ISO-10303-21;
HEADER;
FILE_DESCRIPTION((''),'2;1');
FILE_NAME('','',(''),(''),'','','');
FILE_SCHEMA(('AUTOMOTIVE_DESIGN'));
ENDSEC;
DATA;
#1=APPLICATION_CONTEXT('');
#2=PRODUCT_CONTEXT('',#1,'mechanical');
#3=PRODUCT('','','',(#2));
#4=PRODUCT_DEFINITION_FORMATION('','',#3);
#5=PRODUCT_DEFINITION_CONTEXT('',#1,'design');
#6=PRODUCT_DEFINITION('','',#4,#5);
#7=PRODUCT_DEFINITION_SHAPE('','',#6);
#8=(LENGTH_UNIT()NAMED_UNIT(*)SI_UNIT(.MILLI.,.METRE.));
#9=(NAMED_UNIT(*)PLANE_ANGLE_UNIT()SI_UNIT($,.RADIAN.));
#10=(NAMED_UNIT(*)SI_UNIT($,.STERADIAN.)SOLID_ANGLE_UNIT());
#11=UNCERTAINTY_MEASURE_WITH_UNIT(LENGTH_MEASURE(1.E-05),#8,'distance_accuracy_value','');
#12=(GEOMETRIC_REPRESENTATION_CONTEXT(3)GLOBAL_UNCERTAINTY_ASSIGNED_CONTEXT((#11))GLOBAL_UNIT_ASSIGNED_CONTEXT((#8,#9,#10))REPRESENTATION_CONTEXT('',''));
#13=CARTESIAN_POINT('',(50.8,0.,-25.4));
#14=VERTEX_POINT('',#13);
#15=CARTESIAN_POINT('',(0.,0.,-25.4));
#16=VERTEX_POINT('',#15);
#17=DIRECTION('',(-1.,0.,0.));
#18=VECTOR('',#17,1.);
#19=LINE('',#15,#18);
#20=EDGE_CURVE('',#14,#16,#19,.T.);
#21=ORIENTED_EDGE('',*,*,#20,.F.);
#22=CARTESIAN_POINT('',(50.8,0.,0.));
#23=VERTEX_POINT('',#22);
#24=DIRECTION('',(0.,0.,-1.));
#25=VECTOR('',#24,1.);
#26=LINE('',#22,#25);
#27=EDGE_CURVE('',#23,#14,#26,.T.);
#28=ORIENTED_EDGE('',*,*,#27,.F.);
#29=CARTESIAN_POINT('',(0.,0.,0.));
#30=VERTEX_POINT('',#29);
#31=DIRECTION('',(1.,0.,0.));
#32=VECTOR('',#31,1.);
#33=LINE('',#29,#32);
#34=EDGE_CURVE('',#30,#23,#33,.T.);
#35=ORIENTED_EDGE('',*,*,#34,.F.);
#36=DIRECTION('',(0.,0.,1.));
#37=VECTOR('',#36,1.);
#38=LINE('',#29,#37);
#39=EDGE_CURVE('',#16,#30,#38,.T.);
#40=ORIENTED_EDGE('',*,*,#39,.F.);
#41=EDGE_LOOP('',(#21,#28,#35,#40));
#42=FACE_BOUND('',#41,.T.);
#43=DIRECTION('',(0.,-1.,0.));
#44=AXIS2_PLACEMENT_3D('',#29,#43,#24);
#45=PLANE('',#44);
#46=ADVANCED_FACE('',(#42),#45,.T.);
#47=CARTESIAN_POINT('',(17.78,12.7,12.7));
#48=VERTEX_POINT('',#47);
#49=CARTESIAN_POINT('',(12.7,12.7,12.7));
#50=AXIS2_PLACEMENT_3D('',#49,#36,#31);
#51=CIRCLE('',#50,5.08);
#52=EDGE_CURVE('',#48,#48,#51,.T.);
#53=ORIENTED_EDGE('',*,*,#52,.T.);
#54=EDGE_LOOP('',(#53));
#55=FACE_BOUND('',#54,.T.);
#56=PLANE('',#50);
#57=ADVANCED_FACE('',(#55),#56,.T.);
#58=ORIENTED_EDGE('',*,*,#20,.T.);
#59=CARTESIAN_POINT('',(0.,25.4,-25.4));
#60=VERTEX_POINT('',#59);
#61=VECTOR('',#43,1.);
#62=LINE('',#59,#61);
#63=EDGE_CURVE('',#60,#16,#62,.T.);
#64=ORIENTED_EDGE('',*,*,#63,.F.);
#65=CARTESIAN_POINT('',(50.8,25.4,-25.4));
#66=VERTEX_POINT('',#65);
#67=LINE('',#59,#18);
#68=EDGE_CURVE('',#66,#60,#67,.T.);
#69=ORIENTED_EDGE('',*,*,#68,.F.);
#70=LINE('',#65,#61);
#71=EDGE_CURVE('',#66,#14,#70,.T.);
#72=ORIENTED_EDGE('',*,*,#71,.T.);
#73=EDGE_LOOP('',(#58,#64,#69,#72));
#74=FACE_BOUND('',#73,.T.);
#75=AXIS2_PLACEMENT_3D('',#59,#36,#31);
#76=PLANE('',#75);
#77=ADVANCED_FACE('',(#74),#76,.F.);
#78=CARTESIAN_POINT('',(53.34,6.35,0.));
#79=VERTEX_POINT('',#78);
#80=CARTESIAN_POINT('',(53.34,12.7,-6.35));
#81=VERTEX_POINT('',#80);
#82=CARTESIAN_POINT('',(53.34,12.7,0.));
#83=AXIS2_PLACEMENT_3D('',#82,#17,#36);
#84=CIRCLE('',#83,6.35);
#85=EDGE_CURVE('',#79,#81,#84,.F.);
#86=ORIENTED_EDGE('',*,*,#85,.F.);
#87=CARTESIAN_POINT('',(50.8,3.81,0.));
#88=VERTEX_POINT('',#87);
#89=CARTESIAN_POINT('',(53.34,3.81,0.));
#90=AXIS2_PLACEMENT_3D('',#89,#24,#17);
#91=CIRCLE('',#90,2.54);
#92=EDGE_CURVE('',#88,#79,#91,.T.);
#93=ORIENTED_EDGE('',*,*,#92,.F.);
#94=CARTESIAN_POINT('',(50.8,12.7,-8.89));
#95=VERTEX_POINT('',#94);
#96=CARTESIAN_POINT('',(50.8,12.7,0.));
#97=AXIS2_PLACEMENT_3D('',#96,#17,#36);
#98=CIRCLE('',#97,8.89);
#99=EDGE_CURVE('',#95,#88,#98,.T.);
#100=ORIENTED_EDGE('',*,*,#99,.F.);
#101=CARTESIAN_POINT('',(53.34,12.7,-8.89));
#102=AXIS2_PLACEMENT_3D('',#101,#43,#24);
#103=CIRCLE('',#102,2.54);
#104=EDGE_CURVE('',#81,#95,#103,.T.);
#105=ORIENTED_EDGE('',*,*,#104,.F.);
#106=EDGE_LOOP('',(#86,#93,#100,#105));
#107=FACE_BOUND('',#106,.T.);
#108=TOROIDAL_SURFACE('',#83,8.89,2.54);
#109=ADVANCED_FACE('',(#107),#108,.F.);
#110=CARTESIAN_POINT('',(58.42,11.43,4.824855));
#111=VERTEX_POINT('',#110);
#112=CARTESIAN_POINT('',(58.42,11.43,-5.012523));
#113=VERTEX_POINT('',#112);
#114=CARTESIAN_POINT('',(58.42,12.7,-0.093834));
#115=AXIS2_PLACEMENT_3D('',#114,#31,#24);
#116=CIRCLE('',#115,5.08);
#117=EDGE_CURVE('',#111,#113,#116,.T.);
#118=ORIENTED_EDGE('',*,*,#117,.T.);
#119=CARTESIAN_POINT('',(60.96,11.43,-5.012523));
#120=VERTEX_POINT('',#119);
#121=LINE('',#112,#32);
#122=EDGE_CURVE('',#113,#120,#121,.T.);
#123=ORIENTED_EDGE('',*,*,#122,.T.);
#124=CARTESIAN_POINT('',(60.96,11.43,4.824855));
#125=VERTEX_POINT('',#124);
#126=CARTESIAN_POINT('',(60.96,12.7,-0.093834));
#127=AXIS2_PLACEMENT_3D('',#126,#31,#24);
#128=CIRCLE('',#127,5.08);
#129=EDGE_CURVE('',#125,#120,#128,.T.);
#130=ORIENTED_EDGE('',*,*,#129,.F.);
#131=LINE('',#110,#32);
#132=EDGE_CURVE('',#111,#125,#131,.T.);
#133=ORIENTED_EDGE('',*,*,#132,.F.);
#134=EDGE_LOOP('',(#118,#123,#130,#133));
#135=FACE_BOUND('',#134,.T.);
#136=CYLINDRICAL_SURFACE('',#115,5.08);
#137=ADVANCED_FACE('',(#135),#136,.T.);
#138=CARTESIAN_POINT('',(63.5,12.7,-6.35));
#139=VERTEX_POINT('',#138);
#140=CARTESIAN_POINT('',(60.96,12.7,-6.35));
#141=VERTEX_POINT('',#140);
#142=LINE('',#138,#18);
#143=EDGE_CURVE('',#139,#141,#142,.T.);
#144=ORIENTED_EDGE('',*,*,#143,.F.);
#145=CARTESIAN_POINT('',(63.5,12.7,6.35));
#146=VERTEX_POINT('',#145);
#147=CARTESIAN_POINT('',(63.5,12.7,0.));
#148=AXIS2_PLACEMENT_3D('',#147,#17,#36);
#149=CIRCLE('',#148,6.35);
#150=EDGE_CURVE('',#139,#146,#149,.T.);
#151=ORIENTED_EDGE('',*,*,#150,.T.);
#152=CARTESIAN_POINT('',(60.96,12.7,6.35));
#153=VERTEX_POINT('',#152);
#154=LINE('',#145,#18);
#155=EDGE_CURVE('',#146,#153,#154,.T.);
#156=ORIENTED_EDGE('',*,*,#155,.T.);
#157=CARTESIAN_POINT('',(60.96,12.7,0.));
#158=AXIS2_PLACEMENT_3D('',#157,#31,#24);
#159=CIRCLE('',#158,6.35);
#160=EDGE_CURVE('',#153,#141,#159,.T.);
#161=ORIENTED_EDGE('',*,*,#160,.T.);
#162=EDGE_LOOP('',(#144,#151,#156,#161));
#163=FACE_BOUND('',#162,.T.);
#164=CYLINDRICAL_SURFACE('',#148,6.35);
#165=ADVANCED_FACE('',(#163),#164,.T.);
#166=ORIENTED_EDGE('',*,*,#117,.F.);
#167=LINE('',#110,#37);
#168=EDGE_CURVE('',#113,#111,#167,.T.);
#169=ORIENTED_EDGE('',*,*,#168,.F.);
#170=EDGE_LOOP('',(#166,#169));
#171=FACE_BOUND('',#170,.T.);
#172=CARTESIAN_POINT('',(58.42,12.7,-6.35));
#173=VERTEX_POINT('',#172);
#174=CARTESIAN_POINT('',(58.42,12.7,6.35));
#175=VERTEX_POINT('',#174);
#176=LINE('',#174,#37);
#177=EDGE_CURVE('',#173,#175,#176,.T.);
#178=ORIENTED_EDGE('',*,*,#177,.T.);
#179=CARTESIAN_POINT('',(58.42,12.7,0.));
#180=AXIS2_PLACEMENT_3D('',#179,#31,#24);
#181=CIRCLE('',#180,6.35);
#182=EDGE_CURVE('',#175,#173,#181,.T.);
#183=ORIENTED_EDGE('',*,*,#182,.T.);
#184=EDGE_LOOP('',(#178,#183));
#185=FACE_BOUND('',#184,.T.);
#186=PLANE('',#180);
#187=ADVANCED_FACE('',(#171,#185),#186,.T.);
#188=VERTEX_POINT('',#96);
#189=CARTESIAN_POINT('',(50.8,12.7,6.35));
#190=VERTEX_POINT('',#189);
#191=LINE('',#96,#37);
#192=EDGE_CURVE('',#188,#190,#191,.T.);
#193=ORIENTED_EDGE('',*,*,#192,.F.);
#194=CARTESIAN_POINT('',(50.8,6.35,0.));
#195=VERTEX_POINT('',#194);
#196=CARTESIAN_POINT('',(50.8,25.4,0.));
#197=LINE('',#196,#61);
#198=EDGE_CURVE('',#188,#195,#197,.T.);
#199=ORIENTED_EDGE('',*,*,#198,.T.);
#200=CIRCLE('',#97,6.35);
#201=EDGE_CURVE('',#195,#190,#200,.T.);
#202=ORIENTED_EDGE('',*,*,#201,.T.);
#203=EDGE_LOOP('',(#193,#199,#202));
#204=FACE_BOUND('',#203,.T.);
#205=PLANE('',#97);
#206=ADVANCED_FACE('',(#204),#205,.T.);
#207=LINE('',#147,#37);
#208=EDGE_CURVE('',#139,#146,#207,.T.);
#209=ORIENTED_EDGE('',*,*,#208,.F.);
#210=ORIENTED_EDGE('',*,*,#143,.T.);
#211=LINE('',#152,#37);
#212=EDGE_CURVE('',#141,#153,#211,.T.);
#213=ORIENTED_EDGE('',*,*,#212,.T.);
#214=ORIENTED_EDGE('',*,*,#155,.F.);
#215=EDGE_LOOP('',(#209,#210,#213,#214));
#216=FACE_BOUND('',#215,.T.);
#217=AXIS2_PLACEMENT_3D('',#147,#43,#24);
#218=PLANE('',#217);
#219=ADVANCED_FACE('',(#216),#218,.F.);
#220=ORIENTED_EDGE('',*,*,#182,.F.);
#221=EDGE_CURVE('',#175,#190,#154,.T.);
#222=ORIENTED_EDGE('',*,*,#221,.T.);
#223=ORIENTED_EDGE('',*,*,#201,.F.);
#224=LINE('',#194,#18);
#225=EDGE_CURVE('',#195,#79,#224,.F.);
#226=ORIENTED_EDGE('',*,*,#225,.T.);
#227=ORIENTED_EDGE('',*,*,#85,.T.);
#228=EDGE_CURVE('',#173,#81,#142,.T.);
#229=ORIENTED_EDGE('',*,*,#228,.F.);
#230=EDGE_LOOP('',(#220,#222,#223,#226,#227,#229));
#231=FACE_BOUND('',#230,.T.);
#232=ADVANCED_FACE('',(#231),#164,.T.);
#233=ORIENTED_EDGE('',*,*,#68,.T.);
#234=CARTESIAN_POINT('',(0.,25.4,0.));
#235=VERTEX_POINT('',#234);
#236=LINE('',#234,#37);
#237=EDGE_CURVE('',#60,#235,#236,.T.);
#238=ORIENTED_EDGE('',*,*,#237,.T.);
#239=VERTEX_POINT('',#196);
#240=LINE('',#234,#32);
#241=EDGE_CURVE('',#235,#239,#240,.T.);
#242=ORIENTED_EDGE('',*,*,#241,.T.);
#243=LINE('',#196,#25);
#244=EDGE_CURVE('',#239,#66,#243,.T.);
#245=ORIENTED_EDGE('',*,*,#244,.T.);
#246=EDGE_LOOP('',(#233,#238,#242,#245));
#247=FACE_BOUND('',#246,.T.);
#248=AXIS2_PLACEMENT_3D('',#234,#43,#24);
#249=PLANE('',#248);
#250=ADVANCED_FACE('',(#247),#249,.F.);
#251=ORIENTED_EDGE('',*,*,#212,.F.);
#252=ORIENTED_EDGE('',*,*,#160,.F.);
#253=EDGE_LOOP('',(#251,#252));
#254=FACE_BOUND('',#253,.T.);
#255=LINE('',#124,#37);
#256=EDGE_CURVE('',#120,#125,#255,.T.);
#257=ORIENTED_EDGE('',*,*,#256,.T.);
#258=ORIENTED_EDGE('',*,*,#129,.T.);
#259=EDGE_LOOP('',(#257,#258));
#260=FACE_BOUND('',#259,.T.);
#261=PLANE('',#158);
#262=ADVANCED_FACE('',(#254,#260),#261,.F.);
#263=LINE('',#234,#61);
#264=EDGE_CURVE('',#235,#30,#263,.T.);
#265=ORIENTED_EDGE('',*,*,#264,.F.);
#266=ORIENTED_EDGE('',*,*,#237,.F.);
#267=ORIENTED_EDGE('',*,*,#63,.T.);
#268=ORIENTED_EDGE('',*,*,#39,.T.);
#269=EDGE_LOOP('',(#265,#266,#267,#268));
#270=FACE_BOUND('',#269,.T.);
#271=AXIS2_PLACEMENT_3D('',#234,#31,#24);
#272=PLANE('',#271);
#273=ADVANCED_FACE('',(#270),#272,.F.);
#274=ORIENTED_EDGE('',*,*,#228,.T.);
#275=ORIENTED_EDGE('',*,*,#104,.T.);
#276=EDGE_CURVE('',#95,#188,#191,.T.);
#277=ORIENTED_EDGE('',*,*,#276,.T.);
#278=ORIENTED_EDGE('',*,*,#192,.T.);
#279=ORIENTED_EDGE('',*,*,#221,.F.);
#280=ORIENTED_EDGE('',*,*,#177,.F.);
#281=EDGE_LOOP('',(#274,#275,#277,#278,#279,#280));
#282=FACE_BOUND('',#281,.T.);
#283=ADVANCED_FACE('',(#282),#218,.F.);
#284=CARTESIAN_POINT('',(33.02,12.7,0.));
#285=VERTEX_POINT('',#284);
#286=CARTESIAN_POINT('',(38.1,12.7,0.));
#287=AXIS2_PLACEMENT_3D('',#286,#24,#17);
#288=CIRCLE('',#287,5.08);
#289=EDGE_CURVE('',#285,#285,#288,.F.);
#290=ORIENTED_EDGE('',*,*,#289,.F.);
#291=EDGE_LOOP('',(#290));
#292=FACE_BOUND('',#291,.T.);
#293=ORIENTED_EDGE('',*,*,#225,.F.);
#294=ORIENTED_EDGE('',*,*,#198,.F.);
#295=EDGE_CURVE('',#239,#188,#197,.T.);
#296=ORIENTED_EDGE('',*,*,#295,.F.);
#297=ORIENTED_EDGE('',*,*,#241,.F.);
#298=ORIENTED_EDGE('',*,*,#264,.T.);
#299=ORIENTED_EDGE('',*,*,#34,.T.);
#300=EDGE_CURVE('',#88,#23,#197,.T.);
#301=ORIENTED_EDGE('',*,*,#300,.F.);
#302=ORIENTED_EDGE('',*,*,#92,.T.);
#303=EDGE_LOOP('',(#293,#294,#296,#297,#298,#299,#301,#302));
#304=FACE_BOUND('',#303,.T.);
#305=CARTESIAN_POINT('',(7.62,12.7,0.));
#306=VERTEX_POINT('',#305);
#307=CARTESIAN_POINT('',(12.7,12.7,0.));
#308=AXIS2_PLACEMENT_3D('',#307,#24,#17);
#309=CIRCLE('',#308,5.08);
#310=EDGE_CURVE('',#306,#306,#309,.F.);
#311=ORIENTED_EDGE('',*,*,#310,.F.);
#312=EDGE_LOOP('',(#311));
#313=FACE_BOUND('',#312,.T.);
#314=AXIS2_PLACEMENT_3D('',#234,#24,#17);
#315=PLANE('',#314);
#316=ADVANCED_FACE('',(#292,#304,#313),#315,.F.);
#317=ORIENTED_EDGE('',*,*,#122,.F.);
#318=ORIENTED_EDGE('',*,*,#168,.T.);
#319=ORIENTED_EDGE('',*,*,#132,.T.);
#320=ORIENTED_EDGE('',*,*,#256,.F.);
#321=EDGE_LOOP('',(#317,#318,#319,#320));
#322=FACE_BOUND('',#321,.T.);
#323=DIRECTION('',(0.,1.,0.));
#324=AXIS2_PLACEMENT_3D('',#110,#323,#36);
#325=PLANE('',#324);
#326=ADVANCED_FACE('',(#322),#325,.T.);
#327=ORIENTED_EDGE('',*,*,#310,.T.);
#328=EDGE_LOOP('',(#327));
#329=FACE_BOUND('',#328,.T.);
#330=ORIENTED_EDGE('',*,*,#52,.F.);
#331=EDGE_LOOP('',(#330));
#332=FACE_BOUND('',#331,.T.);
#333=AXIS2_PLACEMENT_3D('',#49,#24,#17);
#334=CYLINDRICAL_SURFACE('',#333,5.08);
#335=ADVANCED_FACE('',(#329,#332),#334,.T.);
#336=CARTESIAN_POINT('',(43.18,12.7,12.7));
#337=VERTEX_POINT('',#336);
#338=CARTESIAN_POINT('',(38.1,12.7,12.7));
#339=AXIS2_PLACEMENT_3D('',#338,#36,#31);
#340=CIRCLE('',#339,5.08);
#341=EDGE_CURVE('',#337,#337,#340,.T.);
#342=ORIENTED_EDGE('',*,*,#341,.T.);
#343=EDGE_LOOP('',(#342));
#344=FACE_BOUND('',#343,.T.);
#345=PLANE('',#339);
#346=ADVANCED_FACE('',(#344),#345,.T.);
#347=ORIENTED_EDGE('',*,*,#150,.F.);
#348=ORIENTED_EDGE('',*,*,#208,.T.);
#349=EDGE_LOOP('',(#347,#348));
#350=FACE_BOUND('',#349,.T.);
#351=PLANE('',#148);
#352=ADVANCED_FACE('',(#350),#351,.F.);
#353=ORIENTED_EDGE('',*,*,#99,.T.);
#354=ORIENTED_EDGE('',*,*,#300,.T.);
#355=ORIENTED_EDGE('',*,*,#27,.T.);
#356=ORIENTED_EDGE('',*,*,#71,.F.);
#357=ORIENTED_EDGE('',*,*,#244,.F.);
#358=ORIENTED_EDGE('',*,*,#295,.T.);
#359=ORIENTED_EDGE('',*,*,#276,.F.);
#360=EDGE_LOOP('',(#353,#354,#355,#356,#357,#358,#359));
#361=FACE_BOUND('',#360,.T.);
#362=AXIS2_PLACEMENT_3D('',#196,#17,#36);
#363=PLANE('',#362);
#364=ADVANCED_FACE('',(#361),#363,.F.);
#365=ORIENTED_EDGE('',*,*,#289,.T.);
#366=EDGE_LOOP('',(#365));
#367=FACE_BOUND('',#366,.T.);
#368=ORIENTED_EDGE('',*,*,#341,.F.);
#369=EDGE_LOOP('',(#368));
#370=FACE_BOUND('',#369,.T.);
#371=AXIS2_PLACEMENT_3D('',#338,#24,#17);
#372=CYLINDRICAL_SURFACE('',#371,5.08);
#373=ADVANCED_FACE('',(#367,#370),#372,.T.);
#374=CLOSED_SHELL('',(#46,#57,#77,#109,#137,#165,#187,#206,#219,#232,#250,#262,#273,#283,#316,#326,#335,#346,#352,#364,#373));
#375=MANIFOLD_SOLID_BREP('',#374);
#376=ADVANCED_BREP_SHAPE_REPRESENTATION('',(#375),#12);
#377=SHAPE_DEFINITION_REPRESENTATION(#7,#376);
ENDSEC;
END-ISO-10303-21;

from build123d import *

# Parameters (mm, degrees)
SKETCH1_W           = 50.8
SKETCH1_H           = 25.4
BOSS_EXTRUDE2_DEPTH = 25.4
SKETCH3_R           = 5.08
BOSS_EXTRUDE3_DEPTH = 12.7
BOSS_EXTRUDE4_START = 50.8
BOSS_EXTRUDE4_DEPTH = 12.7
CUT_EXTRUDE1_START  = 58.42
CUT_EXTRUDE1_DEPTH  = 2.54
FILLET8_R           = 2.54


with BuildPart() as part:
    # Sketch1 → Boss-Extrude2 (new body)
    with BuildSketch(Plane(origin=(0, 0, 0), x_dir=(1, 0, 0), z_dir=(0, 1, 0))):
        with Locations((25.4, 12.7)):
            Rectangle(SKETCH1_W, SKETCH1_H)
    extrude(amount=BOSS_EXTRUDE2_DEPTH)

    # Sketch3 → Boss-Extrude3 (add)
    with BuildSketch(Plane.XY):
        with Locations(Location((12.7, 12.7, 0), (0, 0, 180))):
            Circle(SKETCH3_R)
        with Locations(Location((38.1, 12.7, 0), (0, 0, 180))):
            Circle(SKETCH3_R)
    extrude(amount=BOSS_EXTRUDE3_DEPTH)

    # Sketch4 → Boss-Extrude4 (add)
    with BuildSketch(Plane(origin=(0, 0, 0), x_dir=(0, 0, -1), z_dir=(1, 0, 0)).offset(BOSS_EXTRUDE4_START)):
        with BuildLine():
            Line((-6.35, 12.7), (6.35, 12.7))
            ThreePointArc((6.35, 12.7), (0, 6.35), (-6.35, 12.7))
        make_face()
    extrude(amount=BOSS_EXTRUDE4_DEPTH)

    # Sketch24 → Cut-Extrude1 (cut)
    with BuildSketch(Plane(origin=(0, 0, 0), x_dir=(0, 0, -1), z_dir=(1, 0, 0)).offset(CUT_EXTRUDE1_START)):
        with BuildLine():
            Line((-6.35, 12.7), (6.35, 12.7))
            ThreePointArc((6.35, 12.7), (0, 6.35), (-6.35, 12.7))
        make_face()
        with BuildLine():
            Line((-4.824854626, 11.43), (5.012523073, 11.43))
            ThreePointArc((5.012523073, 11.43), (0.093834223, 7.62), (-4.824854626, 11.43))
        make_face(mode=Mode.SUBTRACT)
    extrude(amount=CUT_EXTRUDE1_DEPTH, mode=Mode.SUBTRACT)

    # Fillet8
    fillet8_edges = [part.edges().sort_by_distance(p)[0] for p in [
        (50.8, 8.209871939, -4.490128061),
    ]]
    fillet(fillet8_edges, radius=FILLET8_R)


solid = part.part
